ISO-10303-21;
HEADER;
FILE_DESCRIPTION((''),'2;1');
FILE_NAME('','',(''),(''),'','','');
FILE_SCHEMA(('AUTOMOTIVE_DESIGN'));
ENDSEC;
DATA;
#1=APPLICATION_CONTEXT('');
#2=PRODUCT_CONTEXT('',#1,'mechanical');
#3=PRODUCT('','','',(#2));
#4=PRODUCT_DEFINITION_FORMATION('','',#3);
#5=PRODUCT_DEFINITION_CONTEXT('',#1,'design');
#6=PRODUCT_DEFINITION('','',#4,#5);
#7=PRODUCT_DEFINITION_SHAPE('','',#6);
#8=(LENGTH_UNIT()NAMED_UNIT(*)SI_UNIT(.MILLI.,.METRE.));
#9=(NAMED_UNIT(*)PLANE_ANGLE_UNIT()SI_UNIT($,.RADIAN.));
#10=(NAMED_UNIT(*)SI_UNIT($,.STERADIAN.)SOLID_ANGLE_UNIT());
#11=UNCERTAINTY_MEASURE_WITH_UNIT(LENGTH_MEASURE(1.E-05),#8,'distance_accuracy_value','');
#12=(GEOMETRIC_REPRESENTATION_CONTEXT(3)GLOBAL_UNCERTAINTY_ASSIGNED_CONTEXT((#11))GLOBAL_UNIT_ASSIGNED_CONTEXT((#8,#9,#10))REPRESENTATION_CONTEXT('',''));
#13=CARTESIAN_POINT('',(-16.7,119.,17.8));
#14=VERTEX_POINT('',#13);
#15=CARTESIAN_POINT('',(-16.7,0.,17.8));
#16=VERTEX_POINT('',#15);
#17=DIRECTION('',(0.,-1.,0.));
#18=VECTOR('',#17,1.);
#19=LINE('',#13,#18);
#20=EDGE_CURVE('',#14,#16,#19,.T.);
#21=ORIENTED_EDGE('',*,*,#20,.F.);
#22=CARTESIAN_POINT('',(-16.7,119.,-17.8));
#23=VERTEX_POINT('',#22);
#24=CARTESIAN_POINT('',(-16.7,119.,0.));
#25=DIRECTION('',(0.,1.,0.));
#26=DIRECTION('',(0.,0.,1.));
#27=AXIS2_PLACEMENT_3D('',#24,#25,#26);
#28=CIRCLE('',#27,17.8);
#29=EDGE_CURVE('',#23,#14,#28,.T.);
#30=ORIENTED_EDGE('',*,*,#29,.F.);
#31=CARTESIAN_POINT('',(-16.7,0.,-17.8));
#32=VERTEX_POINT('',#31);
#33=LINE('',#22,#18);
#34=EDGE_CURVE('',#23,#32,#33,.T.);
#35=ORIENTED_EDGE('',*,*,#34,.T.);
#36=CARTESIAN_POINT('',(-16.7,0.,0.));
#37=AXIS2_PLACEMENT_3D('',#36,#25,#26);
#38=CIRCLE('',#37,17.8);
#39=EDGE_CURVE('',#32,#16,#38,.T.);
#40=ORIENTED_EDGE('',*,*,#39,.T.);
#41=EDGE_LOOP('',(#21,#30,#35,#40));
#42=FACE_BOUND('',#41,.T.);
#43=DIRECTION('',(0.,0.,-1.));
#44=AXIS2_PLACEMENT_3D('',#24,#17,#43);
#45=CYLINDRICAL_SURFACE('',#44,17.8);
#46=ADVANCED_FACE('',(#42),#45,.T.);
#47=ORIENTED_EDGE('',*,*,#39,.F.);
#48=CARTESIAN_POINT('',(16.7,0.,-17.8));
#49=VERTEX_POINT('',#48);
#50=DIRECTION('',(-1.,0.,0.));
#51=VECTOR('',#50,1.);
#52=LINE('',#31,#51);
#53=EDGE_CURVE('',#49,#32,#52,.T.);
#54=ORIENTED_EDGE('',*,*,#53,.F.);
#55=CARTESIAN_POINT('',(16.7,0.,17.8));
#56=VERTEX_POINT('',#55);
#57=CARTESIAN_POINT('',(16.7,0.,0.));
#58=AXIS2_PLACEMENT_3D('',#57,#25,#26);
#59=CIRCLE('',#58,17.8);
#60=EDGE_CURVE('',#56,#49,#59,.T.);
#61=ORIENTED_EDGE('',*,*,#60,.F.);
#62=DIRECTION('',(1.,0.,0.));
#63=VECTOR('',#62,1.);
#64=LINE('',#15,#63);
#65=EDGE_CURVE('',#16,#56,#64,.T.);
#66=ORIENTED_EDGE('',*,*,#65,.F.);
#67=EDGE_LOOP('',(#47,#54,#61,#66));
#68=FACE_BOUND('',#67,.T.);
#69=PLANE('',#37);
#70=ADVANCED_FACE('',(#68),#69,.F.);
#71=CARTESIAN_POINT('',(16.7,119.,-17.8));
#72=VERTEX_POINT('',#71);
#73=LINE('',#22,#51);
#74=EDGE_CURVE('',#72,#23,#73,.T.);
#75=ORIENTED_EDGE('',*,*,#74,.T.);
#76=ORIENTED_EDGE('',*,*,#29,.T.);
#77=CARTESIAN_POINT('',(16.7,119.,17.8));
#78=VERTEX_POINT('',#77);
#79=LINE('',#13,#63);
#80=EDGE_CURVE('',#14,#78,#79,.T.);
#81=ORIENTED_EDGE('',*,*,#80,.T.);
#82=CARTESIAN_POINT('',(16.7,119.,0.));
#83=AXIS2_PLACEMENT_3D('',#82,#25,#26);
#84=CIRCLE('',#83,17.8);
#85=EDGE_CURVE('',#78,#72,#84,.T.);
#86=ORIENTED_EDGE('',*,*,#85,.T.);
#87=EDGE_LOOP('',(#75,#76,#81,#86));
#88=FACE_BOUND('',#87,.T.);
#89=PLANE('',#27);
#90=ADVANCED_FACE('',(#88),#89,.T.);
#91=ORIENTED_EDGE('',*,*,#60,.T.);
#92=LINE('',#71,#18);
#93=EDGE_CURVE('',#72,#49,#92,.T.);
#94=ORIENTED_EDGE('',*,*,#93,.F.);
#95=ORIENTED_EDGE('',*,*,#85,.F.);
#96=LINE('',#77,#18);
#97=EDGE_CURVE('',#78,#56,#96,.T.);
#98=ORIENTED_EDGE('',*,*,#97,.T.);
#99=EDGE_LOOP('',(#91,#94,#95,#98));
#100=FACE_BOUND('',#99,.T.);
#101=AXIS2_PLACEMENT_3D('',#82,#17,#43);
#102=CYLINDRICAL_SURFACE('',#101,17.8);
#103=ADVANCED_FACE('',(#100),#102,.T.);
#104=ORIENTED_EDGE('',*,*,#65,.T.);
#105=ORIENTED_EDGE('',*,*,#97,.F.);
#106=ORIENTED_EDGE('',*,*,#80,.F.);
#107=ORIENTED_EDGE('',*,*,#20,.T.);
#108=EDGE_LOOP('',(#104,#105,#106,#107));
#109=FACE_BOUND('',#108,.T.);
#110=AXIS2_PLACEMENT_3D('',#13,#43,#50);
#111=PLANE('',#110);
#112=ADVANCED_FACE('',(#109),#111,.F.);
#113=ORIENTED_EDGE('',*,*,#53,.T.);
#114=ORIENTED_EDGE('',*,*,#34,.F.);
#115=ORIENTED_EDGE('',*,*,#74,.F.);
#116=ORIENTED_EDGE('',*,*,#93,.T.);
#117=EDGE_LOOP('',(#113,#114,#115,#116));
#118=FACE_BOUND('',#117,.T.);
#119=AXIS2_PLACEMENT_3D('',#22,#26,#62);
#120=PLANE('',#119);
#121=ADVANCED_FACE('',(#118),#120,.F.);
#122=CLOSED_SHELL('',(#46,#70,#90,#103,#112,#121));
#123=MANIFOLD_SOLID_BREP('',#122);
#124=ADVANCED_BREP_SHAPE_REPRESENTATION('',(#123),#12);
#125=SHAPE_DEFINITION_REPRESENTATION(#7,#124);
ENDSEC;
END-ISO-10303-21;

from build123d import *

# Parameters (mm, degrees)
EXTRUDE_1_DEPTH = 119


with BuildPart() as part:
    # ｽｹｯﾁ1 → ﾎﾞｽ - 押し出し1 (new body)
    with BuildSketch(Plane(origin=(0, 0, 0), x_dir=(1, 0, 0), z_dir=(0, 1, 0))):
        with BuildLine():
            Line((-16.7, 17.8), (16.7, 17.8))
            ThreePointArc((16.7, 17.8), (34.5, 0), (16.7, -17.8))
            Line((16.7, -17.8), (-16.7, -17.8))
            ThreePointArc((-16.7, -17.8), (-34.5, 0), (-16.7, 17.8))
        make_face()
    extrude(amount=EXTRUDE_1_DEPTH)


solid = part.part
